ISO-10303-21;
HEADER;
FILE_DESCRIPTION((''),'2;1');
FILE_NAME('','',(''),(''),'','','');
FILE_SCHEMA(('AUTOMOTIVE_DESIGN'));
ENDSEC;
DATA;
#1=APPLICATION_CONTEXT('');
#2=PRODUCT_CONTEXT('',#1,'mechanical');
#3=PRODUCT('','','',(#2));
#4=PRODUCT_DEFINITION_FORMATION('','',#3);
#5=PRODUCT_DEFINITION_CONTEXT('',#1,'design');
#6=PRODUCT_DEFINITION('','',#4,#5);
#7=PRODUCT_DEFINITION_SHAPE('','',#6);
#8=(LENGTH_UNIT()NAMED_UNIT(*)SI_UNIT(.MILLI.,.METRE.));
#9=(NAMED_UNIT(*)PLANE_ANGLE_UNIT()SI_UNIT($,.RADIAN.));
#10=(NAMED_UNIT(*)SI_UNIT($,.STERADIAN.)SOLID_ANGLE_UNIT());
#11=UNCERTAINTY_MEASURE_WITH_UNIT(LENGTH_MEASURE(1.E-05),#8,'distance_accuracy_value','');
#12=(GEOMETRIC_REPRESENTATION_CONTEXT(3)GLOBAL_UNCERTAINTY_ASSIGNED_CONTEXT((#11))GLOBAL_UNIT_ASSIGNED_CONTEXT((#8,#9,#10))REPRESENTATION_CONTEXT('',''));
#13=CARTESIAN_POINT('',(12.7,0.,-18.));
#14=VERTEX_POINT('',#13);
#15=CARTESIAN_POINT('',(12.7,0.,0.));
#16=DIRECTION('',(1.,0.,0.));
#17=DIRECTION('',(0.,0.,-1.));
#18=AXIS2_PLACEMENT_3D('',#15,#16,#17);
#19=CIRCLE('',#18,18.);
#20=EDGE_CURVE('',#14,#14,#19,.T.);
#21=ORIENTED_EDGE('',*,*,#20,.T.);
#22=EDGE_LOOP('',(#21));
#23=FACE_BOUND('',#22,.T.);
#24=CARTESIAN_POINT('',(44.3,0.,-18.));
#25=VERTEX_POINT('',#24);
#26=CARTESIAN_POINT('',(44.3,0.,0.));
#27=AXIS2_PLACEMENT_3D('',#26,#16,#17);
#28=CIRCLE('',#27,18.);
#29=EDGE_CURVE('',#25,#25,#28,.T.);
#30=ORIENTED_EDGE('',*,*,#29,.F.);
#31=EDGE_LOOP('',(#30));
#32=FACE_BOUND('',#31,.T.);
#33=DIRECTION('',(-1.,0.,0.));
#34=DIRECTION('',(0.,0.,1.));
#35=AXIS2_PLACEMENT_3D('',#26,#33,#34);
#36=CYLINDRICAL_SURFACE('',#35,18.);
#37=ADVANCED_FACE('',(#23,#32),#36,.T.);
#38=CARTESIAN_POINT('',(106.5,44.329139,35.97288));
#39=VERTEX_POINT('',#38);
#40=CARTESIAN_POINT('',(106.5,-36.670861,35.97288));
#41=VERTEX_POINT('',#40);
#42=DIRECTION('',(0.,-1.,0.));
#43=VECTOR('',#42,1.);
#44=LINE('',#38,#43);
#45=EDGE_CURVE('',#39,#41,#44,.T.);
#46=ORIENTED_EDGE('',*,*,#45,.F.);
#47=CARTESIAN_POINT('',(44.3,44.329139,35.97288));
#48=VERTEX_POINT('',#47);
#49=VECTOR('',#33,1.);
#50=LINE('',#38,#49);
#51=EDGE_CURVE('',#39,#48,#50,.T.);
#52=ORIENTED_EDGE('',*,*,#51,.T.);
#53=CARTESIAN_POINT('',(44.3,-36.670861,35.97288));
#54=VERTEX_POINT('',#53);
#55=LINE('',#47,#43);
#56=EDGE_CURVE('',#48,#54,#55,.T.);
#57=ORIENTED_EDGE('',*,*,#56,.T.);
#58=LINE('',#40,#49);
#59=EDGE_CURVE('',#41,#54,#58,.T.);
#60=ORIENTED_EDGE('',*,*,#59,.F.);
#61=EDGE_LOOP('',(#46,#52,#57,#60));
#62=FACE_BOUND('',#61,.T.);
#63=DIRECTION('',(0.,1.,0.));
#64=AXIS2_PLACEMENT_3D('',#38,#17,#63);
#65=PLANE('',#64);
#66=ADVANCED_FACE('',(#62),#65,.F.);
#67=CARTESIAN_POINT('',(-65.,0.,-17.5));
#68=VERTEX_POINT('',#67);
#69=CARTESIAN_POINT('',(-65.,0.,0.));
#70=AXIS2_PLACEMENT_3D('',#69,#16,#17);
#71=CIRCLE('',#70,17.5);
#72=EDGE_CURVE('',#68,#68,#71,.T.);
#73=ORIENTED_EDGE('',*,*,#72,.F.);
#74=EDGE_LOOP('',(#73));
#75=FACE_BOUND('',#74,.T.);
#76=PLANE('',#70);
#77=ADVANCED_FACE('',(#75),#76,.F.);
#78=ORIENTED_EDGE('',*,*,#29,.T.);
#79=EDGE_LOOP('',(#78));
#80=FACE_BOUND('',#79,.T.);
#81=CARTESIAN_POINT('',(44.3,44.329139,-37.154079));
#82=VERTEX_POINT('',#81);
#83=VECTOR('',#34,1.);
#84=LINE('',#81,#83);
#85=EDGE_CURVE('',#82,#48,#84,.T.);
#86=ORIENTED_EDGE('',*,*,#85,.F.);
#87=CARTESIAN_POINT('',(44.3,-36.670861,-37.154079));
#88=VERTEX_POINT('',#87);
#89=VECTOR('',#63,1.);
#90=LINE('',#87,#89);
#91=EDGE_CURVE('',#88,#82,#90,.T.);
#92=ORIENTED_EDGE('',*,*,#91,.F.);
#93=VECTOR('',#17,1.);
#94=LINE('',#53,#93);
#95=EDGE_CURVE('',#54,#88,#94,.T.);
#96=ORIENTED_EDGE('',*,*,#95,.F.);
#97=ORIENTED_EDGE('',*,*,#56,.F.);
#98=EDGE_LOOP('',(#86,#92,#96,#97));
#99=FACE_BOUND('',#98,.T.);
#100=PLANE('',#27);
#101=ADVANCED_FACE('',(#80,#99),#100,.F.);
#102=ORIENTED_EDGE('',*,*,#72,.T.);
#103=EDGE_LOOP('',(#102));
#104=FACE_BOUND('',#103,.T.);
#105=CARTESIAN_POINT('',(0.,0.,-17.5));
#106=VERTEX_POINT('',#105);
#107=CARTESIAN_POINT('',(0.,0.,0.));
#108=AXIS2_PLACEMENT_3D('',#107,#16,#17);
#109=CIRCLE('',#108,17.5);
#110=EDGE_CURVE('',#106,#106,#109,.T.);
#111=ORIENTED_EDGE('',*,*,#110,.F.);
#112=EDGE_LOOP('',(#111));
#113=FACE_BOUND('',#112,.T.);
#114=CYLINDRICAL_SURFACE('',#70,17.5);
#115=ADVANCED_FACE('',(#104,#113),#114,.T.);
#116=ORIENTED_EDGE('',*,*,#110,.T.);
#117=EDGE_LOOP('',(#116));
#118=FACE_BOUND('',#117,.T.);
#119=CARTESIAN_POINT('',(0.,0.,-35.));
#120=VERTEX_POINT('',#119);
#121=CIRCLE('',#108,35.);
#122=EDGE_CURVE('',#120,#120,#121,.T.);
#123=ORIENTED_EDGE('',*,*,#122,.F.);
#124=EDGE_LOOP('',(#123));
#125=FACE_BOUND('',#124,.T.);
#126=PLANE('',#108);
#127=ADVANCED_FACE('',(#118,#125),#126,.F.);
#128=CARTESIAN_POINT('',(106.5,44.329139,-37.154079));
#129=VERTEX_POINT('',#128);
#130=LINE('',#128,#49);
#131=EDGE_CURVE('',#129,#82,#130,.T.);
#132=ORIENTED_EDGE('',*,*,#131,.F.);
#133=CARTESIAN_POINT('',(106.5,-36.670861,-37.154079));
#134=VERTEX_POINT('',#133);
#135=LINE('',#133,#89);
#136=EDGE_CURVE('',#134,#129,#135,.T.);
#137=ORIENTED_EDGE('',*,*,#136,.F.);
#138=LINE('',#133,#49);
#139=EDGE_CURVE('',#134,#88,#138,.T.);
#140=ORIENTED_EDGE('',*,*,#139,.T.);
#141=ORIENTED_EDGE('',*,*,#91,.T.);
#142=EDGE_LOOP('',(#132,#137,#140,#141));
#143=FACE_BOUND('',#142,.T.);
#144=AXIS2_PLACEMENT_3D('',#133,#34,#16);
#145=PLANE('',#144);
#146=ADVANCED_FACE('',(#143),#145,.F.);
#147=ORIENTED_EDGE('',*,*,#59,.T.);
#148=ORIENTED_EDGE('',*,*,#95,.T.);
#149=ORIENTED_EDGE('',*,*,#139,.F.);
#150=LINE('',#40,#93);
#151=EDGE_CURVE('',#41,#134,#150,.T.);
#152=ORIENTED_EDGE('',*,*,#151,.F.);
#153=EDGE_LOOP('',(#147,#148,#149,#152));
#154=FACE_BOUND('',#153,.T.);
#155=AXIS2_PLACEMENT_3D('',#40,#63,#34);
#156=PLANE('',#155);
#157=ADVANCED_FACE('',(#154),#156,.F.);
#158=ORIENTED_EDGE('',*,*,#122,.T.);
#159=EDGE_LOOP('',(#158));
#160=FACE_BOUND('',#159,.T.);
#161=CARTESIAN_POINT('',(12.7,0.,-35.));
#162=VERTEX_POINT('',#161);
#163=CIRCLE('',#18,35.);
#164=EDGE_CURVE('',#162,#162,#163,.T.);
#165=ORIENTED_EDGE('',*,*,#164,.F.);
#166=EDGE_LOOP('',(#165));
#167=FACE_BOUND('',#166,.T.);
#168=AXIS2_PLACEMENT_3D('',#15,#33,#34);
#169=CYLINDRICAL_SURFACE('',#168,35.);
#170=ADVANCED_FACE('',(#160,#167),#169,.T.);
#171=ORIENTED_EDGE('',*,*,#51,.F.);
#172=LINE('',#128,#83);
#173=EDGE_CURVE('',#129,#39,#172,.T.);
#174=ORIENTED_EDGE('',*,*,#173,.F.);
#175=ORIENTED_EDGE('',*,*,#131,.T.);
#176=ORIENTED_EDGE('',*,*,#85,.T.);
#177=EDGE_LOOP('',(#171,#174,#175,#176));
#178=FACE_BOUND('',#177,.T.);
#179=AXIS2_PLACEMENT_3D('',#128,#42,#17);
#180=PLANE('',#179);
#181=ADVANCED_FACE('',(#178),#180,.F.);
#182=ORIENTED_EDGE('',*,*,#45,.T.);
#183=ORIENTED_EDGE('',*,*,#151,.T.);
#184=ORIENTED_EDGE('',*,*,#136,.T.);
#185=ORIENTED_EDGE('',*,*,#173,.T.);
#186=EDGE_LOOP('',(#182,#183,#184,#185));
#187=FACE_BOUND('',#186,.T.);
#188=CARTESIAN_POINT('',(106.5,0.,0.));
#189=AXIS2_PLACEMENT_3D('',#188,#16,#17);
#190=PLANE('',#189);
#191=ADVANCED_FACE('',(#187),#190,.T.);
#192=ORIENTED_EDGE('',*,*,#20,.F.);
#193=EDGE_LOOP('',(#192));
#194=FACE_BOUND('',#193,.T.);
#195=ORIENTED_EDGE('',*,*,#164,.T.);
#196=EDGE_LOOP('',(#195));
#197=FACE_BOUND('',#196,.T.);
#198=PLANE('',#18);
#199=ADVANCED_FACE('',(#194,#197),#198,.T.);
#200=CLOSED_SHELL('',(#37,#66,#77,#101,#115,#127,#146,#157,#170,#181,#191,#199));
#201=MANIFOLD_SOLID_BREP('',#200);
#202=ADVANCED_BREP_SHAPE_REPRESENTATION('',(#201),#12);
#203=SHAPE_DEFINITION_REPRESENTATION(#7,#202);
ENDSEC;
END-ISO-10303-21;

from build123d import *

# Parameters (mm, degrees)
SKETCH1_R           = 17.5
BOSS_EXTRUDE1_DEPTH = 65
SKETCH2_R           = 35
BOSS_EXTRUDE2_DEPTH = 12.7
SKETCH3_R           = 18
BOSS_EXTRUDE3_DEPTH = 31.6
SKETCH4_W           = 73.126959069
SKETCH4_H           = 81
BOSS_EXTRUDE4_DEPTH = 62.2


with BuildPart() as part:
    # Sketch1 → Boss-Extrude1 (new body)
    with BuildSketch(Plane(origin=(0, 0, 0), x_dir=(0, 0, -1), z_dir=(1, 0, 0))):
        Circle(SKETCH1_R)
    extrude(amount=-BOSS_EXTRUDE1_DEPTH)

    # Sketch2 → Boss-Extrude2 (add)
    with BuildSketch(Plane(origin=(0, 0, 0), x_dir=(0, 0, -1), z_dir=(1, 0, 0))):
        Circle(SKETCH2_R)
    extrude(amount=BOSS_EXTRUDE2_DEPTH)

    # Sketch3 → Boss-Extrude3 (add)
    with BuildSketch(Plane(origin=(12.7, 0, 0), x_dir=(0, 0, -1), z_dir=(1, 0, 0))):
        Circle(SKETCH3_R)
    extrude(amount=BOSS_EXTRUDE3_DEPTH)

    # Sketch4 → Boss-Extrude4 (add)
    with BuildSketch(Plane(origin=(44.3, 0, 0), x_dir=(0, 0, -1), z_dir=(1, 0, 0))):
        with Locations((0.590599522, 3.829138734)):
            Rectangle(SKETCH4_W, SKETCH4_H)
    extrude(amount=BOSS_EXTRUDE4_DEPTH)


solid = part.part
